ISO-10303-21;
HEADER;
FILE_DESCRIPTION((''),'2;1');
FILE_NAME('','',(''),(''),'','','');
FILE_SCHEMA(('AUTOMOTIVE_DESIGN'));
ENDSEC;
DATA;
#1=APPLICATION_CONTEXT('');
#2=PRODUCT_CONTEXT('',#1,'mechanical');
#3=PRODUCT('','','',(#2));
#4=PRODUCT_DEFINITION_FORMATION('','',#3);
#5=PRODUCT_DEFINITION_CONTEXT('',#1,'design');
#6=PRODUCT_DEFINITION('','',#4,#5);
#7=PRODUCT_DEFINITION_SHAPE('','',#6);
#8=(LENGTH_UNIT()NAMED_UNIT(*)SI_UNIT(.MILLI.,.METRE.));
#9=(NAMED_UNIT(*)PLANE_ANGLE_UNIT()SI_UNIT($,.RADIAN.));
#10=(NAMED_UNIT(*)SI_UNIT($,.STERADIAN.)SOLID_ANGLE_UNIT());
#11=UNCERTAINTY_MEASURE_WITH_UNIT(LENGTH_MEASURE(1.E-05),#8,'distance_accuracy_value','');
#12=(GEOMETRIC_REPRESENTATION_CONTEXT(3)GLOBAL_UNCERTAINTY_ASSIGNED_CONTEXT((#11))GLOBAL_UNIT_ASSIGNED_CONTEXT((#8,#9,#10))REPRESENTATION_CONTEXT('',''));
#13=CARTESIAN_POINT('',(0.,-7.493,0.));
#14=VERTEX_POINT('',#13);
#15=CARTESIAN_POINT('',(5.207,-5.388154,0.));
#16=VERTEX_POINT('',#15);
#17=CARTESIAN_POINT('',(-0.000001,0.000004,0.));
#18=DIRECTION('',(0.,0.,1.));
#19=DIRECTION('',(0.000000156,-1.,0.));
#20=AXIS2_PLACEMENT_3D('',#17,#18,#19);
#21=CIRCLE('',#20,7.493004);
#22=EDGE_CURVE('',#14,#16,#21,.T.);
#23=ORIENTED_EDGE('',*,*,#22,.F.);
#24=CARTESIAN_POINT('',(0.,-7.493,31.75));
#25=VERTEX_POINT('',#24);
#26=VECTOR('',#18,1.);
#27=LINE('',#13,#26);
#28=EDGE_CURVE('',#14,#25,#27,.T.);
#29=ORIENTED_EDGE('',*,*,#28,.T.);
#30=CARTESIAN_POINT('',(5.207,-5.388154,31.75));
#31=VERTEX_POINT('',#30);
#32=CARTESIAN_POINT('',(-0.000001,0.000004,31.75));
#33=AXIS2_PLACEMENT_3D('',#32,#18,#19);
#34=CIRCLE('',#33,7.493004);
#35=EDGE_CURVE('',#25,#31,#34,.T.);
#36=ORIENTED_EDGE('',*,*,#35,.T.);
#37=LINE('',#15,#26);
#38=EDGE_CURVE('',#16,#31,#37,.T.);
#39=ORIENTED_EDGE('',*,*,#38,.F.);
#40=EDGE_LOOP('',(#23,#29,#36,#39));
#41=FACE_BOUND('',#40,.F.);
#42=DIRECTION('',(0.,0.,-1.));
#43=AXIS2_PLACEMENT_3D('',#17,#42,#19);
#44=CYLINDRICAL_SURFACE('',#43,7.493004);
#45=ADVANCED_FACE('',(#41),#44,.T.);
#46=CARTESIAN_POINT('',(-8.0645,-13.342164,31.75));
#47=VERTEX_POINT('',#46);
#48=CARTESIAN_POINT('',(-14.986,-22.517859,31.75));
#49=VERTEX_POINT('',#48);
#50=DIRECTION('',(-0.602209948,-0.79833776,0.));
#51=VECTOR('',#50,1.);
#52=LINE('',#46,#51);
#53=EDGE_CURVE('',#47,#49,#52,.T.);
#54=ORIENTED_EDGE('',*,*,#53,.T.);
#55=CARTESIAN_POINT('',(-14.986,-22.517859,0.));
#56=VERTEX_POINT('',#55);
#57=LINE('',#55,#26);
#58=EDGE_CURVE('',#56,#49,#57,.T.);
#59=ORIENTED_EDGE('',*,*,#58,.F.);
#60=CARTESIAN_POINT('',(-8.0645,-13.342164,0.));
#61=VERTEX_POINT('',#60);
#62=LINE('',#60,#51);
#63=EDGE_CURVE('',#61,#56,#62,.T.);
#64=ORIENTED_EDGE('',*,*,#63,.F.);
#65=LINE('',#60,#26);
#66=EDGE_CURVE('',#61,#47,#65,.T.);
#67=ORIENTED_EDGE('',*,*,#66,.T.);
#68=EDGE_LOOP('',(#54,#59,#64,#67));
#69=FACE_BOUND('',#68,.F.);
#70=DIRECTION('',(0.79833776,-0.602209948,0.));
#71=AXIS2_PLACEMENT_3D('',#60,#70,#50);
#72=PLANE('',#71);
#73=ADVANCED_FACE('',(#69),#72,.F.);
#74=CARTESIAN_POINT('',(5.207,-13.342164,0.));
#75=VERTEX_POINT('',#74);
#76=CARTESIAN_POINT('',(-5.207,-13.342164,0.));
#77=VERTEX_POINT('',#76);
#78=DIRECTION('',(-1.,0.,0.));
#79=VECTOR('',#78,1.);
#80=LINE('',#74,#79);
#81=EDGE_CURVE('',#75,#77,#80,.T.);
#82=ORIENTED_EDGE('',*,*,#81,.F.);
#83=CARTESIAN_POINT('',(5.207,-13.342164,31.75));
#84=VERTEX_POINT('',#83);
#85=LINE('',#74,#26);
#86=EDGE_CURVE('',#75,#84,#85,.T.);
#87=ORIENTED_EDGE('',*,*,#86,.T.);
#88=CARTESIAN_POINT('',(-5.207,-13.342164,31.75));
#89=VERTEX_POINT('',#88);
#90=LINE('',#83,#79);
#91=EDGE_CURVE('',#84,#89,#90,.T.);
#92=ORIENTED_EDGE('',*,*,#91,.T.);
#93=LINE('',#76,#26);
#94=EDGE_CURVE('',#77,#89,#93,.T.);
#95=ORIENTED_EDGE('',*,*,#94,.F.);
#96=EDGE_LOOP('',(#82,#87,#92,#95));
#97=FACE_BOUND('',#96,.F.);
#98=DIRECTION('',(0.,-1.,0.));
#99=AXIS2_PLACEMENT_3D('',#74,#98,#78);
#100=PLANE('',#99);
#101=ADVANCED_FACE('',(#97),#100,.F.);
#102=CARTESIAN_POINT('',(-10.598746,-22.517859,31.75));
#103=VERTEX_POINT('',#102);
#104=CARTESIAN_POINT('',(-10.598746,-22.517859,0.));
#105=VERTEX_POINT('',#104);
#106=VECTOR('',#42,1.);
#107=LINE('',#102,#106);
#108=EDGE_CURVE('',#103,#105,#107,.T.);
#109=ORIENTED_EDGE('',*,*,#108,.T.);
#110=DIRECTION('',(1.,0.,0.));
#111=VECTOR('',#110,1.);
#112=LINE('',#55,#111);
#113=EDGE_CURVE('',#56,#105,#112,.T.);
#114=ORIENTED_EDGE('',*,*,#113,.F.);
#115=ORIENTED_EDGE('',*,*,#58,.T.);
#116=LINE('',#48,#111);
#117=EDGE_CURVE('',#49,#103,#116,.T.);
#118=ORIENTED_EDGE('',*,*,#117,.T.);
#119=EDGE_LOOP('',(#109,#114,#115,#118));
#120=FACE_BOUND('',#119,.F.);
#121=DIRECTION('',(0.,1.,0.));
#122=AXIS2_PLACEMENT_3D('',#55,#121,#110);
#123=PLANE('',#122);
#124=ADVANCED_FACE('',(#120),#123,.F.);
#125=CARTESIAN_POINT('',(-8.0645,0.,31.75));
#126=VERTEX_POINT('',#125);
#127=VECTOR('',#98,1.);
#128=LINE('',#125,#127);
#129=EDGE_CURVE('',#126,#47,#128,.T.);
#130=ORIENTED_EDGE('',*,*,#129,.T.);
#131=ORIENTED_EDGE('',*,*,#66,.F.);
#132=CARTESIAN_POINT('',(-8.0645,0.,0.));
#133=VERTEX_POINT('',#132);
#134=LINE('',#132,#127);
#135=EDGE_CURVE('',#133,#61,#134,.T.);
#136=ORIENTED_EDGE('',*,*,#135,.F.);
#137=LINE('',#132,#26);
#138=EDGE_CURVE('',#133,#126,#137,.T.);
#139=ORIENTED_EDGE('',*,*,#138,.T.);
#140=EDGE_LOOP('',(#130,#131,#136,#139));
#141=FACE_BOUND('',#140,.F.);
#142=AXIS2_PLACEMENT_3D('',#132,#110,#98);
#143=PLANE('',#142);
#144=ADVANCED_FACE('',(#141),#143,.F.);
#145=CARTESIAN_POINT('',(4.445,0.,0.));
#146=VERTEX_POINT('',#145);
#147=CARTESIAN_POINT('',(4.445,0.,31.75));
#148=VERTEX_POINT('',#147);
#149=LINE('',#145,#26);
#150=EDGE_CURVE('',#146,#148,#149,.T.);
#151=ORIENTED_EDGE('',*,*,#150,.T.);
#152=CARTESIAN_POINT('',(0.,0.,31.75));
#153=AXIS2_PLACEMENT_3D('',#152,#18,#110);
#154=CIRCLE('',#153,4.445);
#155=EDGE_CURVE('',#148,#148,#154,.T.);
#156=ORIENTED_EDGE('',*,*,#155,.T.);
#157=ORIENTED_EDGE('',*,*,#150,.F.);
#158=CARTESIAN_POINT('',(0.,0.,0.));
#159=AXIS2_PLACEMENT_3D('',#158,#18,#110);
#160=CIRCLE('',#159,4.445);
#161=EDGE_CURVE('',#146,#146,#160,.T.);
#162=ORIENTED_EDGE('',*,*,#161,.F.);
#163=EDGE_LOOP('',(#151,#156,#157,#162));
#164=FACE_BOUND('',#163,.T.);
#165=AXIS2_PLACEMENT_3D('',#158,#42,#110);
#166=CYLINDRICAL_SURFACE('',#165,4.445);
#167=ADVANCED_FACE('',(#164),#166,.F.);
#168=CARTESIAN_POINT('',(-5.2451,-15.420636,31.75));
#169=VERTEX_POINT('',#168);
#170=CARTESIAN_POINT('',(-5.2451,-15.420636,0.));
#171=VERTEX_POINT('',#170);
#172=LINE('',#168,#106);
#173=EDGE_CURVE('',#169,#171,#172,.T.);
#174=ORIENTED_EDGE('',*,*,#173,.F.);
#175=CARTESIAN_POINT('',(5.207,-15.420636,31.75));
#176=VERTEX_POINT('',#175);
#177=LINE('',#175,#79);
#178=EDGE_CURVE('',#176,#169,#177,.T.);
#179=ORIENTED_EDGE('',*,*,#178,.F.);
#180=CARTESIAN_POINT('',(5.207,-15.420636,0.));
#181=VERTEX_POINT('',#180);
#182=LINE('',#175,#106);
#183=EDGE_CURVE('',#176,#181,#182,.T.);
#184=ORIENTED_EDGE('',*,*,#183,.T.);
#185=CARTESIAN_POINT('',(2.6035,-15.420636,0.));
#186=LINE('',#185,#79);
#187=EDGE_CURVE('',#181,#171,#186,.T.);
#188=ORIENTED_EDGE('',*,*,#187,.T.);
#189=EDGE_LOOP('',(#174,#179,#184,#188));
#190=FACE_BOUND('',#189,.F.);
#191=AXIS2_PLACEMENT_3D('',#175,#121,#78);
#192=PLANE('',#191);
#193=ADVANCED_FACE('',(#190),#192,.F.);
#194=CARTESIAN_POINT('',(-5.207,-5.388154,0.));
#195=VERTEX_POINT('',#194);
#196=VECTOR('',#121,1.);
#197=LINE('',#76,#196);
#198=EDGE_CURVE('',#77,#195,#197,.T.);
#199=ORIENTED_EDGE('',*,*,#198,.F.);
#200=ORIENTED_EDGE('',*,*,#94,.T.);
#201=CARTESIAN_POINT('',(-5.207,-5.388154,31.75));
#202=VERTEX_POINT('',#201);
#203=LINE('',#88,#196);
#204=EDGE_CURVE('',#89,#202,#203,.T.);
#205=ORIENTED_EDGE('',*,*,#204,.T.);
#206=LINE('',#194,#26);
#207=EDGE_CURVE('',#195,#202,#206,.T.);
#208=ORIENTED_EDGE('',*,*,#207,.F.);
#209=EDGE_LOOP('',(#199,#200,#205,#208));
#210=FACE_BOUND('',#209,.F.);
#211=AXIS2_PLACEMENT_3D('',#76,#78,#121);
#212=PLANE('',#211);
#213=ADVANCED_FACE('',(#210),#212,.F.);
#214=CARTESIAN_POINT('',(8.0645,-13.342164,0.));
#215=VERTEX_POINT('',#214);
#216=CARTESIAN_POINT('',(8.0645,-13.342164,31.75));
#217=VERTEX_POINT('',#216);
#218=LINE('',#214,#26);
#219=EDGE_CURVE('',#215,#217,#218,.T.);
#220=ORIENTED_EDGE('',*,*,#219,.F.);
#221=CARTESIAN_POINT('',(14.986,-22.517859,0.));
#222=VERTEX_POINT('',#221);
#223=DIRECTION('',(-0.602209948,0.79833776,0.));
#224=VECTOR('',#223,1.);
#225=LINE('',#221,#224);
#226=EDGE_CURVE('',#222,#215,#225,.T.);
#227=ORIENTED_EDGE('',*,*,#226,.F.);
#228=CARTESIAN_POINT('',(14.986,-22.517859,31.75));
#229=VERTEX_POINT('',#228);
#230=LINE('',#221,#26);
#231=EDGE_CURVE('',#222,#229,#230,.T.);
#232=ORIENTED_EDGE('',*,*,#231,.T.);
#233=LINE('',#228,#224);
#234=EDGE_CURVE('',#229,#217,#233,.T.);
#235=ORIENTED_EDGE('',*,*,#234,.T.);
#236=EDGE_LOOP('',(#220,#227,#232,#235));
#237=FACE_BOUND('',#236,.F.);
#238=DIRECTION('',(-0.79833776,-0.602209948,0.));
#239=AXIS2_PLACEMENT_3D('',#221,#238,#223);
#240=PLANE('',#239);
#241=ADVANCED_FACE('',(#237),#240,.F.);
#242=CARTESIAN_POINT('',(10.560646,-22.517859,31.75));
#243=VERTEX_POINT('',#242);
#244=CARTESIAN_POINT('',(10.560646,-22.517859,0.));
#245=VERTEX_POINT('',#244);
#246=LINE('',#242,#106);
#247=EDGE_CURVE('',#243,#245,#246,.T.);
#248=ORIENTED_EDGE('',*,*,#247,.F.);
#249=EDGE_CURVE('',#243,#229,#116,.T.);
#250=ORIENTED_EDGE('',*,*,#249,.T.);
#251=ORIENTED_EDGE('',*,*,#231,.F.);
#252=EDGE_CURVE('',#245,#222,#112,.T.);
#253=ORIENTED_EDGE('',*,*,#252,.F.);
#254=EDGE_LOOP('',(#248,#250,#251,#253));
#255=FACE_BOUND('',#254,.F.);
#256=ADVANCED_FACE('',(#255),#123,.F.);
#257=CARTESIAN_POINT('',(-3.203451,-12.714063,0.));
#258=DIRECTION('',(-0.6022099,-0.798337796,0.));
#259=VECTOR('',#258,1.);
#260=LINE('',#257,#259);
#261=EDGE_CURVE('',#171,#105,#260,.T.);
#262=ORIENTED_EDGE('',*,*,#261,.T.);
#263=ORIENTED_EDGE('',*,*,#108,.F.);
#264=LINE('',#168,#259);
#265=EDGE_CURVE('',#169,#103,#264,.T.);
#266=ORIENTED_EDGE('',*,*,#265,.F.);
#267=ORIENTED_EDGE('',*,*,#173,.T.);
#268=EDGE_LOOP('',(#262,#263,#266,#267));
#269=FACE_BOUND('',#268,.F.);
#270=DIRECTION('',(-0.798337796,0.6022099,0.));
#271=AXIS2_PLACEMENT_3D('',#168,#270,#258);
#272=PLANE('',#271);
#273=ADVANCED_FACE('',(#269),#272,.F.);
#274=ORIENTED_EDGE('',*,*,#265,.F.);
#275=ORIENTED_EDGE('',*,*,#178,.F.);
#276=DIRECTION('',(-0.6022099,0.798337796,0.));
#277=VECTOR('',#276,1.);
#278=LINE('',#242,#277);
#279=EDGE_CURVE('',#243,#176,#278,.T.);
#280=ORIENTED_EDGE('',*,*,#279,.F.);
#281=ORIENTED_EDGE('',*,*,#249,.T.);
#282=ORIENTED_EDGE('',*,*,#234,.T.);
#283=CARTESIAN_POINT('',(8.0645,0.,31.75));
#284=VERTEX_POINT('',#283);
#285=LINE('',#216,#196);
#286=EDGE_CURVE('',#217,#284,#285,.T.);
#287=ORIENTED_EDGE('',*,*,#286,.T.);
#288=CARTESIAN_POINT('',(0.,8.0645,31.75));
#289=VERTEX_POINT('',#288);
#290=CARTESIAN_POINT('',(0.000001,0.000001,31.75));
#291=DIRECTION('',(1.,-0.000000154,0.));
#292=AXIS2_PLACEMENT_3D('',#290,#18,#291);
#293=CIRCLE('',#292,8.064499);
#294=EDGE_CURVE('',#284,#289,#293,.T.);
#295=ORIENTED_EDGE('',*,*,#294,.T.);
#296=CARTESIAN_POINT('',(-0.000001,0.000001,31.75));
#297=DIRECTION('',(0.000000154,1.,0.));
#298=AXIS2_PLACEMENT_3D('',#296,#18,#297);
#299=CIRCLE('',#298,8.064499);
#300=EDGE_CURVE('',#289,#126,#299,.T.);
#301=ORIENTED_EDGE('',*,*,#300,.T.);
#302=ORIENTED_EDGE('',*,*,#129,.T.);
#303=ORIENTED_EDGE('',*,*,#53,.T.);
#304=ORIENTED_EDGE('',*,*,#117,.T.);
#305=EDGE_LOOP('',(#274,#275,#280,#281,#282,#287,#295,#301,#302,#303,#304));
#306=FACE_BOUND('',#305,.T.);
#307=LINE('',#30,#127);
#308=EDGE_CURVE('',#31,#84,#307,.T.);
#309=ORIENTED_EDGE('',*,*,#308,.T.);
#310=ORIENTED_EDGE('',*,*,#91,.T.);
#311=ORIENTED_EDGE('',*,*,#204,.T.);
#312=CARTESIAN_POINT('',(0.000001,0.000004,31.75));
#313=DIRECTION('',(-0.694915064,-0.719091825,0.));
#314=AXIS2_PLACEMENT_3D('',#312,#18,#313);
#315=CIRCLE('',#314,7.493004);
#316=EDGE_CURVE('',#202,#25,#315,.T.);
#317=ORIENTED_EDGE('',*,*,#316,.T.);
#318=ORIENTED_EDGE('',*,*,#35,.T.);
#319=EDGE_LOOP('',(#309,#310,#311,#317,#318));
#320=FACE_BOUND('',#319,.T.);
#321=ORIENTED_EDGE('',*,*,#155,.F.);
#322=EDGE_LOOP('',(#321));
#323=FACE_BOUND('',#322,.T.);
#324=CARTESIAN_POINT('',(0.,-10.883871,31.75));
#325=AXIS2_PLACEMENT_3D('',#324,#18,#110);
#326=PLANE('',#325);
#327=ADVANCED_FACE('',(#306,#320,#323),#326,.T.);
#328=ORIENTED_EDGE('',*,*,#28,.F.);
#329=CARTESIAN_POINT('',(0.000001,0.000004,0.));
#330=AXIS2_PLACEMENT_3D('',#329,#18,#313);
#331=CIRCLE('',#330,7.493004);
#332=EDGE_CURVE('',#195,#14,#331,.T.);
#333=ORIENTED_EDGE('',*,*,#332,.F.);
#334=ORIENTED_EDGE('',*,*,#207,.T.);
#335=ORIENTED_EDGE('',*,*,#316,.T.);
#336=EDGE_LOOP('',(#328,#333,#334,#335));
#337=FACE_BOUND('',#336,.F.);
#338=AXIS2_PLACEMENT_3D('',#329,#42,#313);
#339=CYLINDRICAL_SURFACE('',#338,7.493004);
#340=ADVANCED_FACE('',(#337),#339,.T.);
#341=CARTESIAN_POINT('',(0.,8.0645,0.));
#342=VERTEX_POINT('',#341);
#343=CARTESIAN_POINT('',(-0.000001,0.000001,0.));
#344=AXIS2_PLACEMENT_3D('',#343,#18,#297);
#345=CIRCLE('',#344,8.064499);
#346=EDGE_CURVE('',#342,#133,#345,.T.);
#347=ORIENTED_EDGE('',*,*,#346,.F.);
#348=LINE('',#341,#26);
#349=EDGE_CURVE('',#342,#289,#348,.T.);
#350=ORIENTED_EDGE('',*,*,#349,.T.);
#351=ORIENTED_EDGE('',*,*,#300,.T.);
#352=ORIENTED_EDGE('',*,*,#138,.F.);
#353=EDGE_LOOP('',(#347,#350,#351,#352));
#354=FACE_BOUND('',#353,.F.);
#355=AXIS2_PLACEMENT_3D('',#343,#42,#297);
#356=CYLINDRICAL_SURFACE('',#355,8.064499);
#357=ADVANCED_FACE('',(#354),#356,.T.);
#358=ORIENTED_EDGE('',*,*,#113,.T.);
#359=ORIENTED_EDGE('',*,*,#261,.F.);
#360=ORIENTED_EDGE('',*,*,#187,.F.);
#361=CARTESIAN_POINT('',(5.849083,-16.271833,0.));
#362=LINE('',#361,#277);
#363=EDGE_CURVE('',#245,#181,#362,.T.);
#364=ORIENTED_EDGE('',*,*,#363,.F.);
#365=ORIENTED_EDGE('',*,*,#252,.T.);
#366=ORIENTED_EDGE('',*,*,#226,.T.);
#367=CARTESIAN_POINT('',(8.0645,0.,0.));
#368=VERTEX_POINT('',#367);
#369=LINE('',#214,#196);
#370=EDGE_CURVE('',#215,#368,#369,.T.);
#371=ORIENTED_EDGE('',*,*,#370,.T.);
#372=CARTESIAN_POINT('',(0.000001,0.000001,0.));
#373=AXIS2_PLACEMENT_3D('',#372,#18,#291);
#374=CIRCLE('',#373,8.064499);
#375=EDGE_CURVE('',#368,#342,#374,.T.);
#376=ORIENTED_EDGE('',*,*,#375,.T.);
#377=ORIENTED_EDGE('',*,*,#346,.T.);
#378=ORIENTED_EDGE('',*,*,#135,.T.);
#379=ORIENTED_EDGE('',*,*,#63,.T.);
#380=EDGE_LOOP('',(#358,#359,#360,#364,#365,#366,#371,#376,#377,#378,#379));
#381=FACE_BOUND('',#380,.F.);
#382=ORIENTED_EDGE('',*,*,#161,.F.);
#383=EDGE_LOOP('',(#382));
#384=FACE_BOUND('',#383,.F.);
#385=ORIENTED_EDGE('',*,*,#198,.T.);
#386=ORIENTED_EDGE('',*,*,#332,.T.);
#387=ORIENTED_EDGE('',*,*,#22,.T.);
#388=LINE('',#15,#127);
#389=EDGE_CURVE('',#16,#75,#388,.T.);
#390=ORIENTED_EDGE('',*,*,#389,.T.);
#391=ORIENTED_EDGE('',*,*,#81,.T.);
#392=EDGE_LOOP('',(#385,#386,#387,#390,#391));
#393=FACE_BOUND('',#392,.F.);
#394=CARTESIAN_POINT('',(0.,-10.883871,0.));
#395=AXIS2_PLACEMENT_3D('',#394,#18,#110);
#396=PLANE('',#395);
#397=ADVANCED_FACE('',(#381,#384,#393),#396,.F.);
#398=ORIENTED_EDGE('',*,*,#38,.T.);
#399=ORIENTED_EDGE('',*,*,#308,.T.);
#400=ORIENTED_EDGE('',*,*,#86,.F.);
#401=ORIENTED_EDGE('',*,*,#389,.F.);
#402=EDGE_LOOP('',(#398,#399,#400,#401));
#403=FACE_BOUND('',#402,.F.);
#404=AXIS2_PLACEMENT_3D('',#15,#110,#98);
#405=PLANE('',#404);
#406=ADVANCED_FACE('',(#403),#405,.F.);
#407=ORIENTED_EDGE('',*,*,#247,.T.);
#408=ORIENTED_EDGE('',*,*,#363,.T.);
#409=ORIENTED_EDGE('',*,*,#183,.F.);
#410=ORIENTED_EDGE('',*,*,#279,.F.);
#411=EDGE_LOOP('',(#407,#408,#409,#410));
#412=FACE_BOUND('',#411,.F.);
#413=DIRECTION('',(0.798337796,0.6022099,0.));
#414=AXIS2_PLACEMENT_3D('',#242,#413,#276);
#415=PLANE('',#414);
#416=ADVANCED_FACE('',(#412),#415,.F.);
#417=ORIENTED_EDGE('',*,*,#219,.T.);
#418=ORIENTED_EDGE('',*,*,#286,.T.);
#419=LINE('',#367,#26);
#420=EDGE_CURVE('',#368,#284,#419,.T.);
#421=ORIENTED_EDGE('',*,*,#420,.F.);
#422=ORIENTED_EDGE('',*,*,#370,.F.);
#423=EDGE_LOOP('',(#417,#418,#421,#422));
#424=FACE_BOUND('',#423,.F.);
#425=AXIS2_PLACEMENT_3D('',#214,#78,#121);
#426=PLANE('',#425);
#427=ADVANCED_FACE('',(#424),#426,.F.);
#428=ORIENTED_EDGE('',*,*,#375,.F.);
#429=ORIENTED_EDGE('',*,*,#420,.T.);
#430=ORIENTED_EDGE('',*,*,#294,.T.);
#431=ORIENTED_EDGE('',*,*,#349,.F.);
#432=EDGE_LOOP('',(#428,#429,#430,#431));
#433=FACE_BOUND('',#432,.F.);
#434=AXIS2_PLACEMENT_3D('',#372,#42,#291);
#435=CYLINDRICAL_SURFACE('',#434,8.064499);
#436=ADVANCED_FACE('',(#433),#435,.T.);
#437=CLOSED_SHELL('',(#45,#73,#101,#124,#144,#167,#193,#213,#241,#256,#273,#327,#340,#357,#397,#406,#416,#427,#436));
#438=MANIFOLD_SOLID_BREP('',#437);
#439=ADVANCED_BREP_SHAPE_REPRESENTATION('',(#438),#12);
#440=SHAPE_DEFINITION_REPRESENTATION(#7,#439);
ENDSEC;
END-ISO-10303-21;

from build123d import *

# Parameters (mm, degrees)
F0_R     = 4.445
F1_DEPTH = 31.75
F3_DEPTH = 31.751


with BuildPart() as f1:
    # F0 (on Top) → F1 (new body)
    with BuildSketch(Plane.XY):
        with BuildLine():
            ThreePointArc((8.0645, 0), (5.702463, 5.702463), (0, 8.0645))
            ThreePointArc((0, 8.0645), (-5.702463, 5.702463), (-8.0645, 0))
            Line((-8.0645, 0), (-8.0645, -13.342164))
            Line((-8.0645, -13.342164), (-14.986, -22.517859))
            Line((-14.986, -22.517859), (0, -22.517859))
            Line((0, -22.517859), (14.986, -22.517859))
            Line((14.986, -22.517859), (8.0645, -13.342164))
            Line((8.0645, -13.342164), (8.0645, 0))
        make_face()
        with BuildLine():
            Line((0, -13.342164), (-5.207, -13.342164))
            Line((-5.207, -13.342164), (-5.207, -5.388154))
            ThreePointArc((-5.207, -5.388154), (-2.808168, -6.946887), (0, -7.493))
            ThreePointArc((0, -7.493), (2.808168, -6.946887), (5.207, -5.388154))
            Line((5.207, -5.388154), (5.207, -13.342164))
            Line((5.207, -13.342164), (0, -13.342164))
        make_face(mode=Mode.SUBTRACT)
        Circle(F0_R, mode=Mode.SUBTRACT)
    extrude(amount=F1_DEPTH)

    # F2 (on face) → F3 (cut, through all)
    with BuildSketch(Plane.XY.offset(31.75)):
        Polygon((5.207, -15.420636), (-5.2451, -15.420636), (-10.598746, -22.517859), (10.560646, -22.517859), align=None)
    extrude(amount=-F3_DEPTH, mode=Mode.SUBTRACT)


solid = f1.part
